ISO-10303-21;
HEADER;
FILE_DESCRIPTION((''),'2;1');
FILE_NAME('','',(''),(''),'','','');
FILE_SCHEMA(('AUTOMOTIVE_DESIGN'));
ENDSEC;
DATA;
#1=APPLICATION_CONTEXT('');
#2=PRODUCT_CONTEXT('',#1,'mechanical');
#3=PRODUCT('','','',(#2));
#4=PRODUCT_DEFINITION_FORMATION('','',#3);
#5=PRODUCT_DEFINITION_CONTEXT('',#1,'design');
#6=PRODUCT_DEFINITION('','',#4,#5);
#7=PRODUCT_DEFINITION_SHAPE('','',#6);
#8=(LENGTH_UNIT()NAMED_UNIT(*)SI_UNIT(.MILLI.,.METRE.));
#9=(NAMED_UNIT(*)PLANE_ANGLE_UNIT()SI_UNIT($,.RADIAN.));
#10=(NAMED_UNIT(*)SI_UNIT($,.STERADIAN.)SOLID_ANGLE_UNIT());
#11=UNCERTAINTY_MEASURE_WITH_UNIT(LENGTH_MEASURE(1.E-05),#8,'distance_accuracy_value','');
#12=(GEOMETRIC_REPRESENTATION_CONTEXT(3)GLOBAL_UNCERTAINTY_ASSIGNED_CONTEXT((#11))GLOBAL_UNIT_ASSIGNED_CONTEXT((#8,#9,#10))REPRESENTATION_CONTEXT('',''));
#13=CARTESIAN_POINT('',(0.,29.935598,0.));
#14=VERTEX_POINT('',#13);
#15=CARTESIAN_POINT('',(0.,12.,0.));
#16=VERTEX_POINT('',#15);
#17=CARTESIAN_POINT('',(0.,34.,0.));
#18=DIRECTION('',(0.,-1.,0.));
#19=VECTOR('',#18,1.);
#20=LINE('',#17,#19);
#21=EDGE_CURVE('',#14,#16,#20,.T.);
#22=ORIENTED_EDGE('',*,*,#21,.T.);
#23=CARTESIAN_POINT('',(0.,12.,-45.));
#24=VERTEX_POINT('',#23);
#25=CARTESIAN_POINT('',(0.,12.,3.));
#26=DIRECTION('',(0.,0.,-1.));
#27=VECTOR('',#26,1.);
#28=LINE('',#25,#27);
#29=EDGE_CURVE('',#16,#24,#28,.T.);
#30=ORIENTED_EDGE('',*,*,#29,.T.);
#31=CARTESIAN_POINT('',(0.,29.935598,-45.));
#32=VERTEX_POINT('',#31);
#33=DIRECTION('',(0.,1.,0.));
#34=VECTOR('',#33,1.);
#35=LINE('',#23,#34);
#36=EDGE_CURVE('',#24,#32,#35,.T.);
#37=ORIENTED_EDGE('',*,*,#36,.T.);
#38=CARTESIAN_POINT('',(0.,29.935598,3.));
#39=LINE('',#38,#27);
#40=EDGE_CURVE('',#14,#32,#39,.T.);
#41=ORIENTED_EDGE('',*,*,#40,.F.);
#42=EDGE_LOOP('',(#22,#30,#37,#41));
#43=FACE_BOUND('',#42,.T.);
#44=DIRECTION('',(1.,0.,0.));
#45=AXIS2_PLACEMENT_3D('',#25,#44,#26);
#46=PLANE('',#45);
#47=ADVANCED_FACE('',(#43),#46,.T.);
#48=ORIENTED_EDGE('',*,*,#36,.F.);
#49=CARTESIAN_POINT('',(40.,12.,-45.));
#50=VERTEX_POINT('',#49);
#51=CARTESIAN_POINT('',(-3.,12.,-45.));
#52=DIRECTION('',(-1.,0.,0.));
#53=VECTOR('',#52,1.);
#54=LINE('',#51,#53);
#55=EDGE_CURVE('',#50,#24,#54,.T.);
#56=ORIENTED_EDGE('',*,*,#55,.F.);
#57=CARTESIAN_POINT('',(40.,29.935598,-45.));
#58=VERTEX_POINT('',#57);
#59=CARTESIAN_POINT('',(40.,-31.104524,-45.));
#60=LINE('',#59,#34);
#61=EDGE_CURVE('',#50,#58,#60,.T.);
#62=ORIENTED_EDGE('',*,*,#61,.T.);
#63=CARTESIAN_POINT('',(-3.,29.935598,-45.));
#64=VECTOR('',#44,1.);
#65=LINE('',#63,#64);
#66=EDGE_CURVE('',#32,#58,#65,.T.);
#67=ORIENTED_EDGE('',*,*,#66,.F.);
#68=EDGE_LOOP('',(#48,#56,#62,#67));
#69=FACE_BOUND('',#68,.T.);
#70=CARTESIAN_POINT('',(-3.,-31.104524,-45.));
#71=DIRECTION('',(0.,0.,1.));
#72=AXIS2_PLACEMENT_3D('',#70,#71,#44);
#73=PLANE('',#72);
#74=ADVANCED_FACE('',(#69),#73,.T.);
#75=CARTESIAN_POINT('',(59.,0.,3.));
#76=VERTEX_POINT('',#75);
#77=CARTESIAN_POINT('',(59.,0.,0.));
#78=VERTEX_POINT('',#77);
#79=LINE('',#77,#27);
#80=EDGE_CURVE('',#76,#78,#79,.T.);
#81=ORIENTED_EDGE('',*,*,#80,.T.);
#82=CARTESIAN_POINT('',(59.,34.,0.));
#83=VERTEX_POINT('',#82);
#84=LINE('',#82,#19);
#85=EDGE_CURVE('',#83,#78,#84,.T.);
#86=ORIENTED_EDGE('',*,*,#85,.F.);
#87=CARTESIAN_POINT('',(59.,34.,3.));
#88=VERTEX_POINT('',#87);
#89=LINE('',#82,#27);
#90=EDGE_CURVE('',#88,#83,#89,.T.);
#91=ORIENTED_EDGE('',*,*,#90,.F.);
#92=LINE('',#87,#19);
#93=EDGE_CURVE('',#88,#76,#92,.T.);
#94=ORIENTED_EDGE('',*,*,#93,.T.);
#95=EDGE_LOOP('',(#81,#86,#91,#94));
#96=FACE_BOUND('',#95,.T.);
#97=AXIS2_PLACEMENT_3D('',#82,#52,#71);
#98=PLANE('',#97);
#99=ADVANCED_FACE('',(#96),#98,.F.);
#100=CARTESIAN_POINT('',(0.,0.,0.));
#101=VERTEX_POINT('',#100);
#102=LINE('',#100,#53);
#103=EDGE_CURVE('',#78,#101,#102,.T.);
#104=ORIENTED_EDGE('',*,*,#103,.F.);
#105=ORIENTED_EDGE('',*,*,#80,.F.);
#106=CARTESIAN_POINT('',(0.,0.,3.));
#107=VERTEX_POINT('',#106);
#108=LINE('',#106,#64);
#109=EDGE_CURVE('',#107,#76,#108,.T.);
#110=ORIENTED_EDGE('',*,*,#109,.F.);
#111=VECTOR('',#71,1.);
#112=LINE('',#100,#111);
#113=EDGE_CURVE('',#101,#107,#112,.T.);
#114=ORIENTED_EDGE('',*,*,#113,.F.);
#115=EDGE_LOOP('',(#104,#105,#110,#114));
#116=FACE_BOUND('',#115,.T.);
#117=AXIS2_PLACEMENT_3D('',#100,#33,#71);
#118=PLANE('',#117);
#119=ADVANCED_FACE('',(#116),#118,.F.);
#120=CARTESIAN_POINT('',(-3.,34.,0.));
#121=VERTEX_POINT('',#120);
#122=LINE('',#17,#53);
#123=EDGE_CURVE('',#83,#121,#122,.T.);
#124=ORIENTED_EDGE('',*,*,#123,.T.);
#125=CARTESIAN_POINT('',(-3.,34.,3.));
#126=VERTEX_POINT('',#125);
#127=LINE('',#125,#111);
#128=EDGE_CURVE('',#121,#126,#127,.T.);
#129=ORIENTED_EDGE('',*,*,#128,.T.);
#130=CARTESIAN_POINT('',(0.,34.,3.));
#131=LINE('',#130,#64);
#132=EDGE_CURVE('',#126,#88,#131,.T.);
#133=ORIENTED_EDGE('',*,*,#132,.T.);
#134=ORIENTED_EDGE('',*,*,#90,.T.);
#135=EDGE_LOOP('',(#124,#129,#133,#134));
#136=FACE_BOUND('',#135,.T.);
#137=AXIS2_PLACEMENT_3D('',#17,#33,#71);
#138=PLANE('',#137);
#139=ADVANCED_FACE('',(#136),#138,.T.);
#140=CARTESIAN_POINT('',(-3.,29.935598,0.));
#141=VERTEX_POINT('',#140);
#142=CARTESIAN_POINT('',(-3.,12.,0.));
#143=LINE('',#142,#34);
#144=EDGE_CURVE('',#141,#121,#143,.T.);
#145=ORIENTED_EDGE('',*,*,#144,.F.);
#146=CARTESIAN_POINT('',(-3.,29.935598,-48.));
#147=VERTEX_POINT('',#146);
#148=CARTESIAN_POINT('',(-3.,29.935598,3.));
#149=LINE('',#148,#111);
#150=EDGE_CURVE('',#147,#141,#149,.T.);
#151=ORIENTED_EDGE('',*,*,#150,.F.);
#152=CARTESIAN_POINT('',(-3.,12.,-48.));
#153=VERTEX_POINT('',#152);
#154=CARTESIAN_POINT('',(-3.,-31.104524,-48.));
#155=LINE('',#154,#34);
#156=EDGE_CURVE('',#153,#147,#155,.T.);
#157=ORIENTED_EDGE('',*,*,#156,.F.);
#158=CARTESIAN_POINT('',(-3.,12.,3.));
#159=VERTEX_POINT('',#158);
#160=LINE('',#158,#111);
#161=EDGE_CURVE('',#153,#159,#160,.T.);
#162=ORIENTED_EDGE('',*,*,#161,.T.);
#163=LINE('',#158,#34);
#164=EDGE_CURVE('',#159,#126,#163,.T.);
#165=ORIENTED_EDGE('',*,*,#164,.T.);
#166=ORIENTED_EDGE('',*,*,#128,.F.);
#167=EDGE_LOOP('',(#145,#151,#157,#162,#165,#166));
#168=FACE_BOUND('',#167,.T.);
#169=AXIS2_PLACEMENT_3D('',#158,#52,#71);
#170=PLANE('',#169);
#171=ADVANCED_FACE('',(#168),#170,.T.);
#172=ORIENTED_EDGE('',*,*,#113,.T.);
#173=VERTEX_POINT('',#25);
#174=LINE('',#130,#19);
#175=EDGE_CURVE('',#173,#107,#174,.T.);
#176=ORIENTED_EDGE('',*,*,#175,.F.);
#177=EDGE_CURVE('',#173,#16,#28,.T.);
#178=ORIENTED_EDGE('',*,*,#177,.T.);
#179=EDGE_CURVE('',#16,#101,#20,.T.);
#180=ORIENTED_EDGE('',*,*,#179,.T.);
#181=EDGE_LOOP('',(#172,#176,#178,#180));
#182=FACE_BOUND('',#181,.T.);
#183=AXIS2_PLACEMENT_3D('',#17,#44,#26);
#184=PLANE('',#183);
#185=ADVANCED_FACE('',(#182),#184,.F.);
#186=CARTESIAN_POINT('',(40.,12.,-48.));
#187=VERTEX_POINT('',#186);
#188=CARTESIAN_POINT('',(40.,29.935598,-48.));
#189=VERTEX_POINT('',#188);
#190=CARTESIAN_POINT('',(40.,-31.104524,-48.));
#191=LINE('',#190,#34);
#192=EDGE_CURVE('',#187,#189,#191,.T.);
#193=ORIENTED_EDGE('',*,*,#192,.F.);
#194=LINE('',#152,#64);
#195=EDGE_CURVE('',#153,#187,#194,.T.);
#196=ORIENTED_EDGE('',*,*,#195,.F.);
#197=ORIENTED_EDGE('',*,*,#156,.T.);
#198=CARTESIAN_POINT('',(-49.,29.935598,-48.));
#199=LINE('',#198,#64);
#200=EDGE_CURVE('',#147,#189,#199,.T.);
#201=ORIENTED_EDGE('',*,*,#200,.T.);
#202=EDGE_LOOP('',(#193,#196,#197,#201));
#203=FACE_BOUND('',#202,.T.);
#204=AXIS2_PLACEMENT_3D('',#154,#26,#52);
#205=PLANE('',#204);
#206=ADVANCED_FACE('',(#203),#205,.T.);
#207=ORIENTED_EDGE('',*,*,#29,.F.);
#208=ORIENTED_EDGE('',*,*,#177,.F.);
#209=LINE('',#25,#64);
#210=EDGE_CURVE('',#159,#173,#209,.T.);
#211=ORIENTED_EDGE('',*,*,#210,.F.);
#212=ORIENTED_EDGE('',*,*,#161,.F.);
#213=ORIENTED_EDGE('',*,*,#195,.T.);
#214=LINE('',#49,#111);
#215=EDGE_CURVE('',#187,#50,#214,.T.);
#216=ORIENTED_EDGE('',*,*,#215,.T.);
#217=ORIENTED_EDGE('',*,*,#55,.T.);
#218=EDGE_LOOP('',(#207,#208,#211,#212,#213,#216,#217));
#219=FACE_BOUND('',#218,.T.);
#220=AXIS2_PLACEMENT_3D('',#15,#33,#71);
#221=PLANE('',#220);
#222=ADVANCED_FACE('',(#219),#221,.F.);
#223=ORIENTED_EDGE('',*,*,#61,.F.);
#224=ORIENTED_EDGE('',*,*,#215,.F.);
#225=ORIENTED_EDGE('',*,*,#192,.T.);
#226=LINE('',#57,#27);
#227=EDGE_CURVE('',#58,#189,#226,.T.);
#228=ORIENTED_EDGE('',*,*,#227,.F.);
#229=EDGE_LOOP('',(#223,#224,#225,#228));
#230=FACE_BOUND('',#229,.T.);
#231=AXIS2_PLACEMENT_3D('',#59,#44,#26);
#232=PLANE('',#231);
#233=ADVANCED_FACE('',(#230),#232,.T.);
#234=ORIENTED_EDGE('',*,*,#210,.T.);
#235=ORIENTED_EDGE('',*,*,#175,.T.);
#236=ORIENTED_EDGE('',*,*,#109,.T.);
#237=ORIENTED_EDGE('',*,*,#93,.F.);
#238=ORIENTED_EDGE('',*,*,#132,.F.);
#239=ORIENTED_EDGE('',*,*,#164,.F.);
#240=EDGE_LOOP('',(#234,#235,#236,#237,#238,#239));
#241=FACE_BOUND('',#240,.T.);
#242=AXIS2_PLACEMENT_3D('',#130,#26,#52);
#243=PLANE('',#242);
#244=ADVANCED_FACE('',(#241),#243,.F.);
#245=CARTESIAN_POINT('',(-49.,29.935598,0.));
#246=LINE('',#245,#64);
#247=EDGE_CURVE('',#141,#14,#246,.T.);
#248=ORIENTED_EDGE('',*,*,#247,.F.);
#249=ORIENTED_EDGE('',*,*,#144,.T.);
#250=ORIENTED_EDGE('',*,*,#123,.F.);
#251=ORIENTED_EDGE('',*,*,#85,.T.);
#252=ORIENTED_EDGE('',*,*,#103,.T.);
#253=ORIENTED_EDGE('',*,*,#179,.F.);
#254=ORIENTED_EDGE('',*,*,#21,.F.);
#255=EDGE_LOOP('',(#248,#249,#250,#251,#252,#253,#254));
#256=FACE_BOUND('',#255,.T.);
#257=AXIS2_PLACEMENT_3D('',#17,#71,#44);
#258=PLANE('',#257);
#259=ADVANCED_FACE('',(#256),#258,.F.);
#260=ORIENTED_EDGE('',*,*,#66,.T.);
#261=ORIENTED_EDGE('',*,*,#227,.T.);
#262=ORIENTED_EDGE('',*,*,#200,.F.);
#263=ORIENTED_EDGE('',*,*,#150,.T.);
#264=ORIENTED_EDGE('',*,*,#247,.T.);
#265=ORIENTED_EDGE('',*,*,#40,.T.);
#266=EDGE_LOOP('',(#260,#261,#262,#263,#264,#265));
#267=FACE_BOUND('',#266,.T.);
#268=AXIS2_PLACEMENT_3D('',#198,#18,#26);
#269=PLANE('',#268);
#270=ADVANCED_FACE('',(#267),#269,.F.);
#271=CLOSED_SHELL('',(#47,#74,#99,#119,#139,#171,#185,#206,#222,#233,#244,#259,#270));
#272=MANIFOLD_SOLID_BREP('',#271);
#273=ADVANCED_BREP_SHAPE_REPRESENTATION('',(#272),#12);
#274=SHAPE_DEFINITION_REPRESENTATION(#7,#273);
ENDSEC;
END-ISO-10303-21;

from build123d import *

# Parameters (mm, degrees)
SKETCH_1_W          = 59
SKETCH_1_H          = 3
EXTRUDE_1_DEPTH     = 34
SKETCH_2_W          = 3
SKETCH_2_H          = 48
EXTRUDE_2_DEPTH     = 22
SKETCH_3_W          = 43
SKETCH_3_H          = 3
EXTRUDE_3_DEPTH     = 22
SKETCH_4_W          = 48
SKETCH_4_H          = 4.064402022
CUT_EXTRUDE_1_DEPTH = 89


with BuildPart() as part:
    # 草图1 → 凸台-拉伸1 (new body)
    with BuildSketch(Plane(origin=(0, 0, 0), x_dir=(1, 0, 0), z_dir=(0, 1, 0))):
        with Locations((29.5, -1.5)):
            Rectangle(SKETCH_1_W, SKETCH_1_H)
    extrude(amount=EXTRUDE_1_DEPTH)

    # 草图2 → 凸台-拉伸2 (add)
    with BuildSketch(Plane(origin=(0, 34, 0), x_dir=(1, 0, 0), z_dir=(0, 1, 0))):
        with Locations((-1.5, 21)):
            Rectangle(SKETCH_2_W, SKETCH_2_H)
    extrude(amount=-EXTRUDE_2_DEPTH)

    # 草图3 → 凸台-拉伸3 (add)
    with BuildSketch(Plane(origin=(0, 34, 0), x_dir=(1, 0, 0), z_dir=(0, 1, 0))):
        with Locations((18.5, 46.5)):
            Rectangle(SKETCH_3_W, SKETCH_3_H)
    extrude(amount=-EXTRUDE_3_DEPTH)

    # 草图4 → 切除-拉伸1 (cut)
    with BuildSketch(Plane(origin=(40, 0, 0), x_dir=(0, 0, -1), z_dir=(1, 0, 0))):
        with Locations((24, 31.967798989)):
            Rectangle(SKETCH_4_W, SKETCH_4_H)
    extrude(amount=-CUT_EXTRUDE_1_DEPTH, mode=Mode.SUBTRACT)


solid = part.part
